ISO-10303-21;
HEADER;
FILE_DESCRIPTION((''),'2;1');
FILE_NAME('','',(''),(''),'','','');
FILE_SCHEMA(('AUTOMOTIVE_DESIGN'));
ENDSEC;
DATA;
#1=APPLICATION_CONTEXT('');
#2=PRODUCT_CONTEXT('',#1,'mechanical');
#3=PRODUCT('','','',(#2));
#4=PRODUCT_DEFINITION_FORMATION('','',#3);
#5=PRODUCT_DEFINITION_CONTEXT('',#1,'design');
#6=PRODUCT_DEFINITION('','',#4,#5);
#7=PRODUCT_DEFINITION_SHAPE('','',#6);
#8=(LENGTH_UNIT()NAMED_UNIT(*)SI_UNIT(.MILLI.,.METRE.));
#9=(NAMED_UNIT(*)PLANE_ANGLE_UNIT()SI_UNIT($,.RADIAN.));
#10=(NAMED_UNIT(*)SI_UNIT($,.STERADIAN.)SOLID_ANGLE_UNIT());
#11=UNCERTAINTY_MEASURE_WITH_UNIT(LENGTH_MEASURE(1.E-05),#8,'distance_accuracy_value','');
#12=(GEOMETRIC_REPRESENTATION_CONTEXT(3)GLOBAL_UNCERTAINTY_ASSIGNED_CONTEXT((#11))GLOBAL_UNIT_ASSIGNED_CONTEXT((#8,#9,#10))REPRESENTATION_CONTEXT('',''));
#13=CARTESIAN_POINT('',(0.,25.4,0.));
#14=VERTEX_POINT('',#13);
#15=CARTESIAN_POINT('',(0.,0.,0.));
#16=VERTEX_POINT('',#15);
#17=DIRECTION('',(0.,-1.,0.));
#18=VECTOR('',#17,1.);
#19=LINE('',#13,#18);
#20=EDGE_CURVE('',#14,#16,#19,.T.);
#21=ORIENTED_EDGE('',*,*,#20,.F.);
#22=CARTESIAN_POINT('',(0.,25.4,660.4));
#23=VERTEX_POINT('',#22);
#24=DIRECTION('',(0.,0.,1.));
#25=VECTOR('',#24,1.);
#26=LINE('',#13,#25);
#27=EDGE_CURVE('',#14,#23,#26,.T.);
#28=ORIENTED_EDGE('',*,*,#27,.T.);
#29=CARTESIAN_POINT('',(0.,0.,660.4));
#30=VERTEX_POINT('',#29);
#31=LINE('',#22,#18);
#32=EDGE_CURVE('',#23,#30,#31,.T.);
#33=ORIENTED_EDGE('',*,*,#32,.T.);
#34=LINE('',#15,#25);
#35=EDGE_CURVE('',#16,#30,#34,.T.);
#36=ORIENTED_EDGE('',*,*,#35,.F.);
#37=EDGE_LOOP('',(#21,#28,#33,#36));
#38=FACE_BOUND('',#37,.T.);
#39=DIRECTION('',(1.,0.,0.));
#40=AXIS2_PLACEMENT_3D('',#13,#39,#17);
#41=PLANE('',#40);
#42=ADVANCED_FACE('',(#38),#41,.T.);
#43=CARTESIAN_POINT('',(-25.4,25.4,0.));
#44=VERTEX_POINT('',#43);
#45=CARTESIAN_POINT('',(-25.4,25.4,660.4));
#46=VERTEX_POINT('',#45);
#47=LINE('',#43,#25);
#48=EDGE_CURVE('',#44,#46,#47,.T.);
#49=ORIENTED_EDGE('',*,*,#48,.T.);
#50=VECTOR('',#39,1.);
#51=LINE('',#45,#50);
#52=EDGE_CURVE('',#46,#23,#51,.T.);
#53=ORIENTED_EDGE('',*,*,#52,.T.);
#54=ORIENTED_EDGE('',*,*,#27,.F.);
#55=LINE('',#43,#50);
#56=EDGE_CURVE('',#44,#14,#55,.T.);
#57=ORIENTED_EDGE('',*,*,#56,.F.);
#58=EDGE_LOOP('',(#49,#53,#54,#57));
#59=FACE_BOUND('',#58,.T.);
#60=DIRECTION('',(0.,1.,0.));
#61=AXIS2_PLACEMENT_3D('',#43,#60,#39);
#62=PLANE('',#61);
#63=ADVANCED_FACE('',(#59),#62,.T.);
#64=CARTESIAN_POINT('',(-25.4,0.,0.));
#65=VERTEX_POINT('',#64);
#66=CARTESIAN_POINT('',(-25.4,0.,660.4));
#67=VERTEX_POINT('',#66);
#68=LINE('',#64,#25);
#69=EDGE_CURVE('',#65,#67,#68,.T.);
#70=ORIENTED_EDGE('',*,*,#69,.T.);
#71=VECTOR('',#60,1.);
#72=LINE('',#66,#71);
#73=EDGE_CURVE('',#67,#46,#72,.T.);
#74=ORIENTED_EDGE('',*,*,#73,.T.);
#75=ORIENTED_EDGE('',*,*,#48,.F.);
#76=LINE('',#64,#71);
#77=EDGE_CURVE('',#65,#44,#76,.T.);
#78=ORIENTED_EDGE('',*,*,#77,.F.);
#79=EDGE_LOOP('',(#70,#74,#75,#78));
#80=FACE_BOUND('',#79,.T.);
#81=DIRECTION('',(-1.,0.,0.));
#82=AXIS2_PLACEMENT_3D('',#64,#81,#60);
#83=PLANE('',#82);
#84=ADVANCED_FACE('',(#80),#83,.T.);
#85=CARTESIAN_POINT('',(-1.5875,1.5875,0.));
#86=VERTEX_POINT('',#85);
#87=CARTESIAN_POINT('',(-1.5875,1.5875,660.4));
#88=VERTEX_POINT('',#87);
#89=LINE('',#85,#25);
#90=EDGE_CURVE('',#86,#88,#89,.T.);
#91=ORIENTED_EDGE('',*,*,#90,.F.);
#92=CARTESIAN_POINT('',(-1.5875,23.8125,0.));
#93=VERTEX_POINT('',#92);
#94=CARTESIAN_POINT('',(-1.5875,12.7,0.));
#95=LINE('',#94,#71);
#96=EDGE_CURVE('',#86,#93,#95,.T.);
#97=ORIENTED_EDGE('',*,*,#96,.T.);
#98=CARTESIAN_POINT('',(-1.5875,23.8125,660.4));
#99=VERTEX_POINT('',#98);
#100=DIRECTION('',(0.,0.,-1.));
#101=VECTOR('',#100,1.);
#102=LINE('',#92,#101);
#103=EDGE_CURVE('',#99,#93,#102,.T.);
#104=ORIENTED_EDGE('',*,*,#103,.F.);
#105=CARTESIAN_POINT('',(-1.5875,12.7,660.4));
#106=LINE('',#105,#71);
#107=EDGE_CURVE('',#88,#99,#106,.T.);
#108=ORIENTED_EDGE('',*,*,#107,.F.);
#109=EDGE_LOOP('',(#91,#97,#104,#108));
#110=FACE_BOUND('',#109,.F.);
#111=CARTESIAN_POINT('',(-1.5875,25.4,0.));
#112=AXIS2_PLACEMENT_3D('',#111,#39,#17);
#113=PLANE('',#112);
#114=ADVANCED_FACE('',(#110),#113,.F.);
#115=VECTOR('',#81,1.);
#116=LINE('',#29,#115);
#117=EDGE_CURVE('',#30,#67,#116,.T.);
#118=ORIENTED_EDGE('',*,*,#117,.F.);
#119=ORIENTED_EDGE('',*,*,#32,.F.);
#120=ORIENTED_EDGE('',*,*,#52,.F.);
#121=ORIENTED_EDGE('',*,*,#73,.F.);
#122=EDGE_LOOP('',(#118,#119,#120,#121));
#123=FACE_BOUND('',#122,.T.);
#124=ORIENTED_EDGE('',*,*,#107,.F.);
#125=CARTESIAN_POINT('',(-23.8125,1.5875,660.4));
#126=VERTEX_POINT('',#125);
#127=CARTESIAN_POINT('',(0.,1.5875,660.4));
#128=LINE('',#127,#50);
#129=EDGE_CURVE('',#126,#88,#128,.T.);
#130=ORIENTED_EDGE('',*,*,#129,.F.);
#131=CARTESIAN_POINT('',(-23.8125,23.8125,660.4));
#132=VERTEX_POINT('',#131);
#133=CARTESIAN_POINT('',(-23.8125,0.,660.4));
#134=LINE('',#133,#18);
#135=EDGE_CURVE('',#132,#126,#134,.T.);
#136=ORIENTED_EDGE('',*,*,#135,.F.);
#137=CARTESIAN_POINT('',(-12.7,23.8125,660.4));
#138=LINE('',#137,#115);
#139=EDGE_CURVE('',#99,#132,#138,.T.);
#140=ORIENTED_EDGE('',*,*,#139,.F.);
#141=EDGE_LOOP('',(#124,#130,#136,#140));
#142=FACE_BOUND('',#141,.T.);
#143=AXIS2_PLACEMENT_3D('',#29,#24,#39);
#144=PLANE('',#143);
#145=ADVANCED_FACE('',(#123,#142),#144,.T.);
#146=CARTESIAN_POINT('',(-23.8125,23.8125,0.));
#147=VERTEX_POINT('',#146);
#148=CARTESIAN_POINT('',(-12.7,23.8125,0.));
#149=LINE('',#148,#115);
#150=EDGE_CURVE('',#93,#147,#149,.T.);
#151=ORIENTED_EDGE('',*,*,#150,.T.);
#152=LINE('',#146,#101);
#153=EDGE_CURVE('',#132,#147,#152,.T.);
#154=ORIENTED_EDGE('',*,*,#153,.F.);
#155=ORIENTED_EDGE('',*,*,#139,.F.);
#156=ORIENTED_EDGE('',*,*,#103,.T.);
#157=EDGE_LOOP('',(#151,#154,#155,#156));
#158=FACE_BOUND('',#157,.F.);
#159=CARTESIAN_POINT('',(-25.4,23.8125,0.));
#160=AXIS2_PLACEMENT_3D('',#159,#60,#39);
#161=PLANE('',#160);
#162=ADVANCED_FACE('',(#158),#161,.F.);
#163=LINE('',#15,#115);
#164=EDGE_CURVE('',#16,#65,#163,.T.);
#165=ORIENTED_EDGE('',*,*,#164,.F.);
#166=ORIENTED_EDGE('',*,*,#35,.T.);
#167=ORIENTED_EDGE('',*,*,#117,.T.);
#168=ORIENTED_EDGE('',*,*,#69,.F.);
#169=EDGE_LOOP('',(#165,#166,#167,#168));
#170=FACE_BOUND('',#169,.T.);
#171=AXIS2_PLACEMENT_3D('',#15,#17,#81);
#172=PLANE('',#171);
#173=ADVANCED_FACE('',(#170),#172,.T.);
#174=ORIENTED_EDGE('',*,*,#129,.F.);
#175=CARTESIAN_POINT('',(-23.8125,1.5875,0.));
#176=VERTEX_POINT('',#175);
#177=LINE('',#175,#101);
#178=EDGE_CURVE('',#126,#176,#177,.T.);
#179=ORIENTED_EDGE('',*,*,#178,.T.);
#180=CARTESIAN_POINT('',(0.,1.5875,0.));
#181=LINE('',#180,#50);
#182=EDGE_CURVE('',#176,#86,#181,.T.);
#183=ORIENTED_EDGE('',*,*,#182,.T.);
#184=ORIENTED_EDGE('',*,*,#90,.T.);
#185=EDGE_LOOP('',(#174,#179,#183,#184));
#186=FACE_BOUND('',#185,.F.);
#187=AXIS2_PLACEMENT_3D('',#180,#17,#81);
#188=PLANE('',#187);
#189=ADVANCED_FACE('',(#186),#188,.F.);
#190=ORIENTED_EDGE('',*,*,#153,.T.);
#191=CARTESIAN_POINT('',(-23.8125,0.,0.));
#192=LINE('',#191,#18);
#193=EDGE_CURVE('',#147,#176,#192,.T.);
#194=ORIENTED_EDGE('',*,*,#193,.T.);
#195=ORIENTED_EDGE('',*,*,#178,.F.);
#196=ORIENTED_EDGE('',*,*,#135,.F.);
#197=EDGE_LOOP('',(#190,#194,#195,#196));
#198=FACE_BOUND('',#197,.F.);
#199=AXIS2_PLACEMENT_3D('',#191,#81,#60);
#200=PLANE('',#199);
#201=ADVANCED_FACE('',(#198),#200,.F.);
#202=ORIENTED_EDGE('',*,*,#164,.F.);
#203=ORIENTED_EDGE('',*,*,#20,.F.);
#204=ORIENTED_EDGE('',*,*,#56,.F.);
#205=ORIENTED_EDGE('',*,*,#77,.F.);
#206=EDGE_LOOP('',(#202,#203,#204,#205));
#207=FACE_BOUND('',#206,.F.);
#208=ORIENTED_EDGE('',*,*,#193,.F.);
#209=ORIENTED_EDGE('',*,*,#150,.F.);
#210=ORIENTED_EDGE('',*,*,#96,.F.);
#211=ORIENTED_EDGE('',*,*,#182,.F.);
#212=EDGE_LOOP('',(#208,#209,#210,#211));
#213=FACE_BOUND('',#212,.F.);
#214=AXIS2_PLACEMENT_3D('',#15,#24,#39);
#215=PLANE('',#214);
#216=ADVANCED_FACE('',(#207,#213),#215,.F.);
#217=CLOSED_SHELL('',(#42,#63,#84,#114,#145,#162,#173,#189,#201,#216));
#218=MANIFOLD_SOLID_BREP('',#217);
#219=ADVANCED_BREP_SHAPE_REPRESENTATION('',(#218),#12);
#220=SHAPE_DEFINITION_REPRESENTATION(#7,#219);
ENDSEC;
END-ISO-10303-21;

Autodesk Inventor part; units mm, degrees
ref_plane "YZ Plane" through (0, 0, 0) normal (1, 0, 0) x (0, 1, 0)
ref_plane "XZ Plane" through (0, 0, 0) normal (0, 1, 0) x (-1, 0, 0)
ref_plane "XY Plane" through (0, 0, 0) normal (0, 0, 1) x (1, 0, 0)
sketch "Sketch1" plane through (0, 0, 0) normal (0, 0, 1) x (1, 0, 0)
  line L0 (0, 0) -> (-25.4, 0)
  line L1 (-25.4, 0) -> (-25.4, 25.4)
  line L2 (-25.4, 25.4) -> (0, 25.4)
  line L3 (0, 25.4) -> (0, 0)
  dimension "d0" = 25.4
  dimension "d1" = 25.4
extrude "Extrusion1" add sketch "Sketch1" along normal blind 660.4
shell "Shell1" thickness 1.5875 removed faces 2 at (-8.4667, 8.4667, 0) at (-8.4667, 8.4667, 660.4)
properties part number "Frame_UpperFrameSupport" material "Aluminum-6061"
